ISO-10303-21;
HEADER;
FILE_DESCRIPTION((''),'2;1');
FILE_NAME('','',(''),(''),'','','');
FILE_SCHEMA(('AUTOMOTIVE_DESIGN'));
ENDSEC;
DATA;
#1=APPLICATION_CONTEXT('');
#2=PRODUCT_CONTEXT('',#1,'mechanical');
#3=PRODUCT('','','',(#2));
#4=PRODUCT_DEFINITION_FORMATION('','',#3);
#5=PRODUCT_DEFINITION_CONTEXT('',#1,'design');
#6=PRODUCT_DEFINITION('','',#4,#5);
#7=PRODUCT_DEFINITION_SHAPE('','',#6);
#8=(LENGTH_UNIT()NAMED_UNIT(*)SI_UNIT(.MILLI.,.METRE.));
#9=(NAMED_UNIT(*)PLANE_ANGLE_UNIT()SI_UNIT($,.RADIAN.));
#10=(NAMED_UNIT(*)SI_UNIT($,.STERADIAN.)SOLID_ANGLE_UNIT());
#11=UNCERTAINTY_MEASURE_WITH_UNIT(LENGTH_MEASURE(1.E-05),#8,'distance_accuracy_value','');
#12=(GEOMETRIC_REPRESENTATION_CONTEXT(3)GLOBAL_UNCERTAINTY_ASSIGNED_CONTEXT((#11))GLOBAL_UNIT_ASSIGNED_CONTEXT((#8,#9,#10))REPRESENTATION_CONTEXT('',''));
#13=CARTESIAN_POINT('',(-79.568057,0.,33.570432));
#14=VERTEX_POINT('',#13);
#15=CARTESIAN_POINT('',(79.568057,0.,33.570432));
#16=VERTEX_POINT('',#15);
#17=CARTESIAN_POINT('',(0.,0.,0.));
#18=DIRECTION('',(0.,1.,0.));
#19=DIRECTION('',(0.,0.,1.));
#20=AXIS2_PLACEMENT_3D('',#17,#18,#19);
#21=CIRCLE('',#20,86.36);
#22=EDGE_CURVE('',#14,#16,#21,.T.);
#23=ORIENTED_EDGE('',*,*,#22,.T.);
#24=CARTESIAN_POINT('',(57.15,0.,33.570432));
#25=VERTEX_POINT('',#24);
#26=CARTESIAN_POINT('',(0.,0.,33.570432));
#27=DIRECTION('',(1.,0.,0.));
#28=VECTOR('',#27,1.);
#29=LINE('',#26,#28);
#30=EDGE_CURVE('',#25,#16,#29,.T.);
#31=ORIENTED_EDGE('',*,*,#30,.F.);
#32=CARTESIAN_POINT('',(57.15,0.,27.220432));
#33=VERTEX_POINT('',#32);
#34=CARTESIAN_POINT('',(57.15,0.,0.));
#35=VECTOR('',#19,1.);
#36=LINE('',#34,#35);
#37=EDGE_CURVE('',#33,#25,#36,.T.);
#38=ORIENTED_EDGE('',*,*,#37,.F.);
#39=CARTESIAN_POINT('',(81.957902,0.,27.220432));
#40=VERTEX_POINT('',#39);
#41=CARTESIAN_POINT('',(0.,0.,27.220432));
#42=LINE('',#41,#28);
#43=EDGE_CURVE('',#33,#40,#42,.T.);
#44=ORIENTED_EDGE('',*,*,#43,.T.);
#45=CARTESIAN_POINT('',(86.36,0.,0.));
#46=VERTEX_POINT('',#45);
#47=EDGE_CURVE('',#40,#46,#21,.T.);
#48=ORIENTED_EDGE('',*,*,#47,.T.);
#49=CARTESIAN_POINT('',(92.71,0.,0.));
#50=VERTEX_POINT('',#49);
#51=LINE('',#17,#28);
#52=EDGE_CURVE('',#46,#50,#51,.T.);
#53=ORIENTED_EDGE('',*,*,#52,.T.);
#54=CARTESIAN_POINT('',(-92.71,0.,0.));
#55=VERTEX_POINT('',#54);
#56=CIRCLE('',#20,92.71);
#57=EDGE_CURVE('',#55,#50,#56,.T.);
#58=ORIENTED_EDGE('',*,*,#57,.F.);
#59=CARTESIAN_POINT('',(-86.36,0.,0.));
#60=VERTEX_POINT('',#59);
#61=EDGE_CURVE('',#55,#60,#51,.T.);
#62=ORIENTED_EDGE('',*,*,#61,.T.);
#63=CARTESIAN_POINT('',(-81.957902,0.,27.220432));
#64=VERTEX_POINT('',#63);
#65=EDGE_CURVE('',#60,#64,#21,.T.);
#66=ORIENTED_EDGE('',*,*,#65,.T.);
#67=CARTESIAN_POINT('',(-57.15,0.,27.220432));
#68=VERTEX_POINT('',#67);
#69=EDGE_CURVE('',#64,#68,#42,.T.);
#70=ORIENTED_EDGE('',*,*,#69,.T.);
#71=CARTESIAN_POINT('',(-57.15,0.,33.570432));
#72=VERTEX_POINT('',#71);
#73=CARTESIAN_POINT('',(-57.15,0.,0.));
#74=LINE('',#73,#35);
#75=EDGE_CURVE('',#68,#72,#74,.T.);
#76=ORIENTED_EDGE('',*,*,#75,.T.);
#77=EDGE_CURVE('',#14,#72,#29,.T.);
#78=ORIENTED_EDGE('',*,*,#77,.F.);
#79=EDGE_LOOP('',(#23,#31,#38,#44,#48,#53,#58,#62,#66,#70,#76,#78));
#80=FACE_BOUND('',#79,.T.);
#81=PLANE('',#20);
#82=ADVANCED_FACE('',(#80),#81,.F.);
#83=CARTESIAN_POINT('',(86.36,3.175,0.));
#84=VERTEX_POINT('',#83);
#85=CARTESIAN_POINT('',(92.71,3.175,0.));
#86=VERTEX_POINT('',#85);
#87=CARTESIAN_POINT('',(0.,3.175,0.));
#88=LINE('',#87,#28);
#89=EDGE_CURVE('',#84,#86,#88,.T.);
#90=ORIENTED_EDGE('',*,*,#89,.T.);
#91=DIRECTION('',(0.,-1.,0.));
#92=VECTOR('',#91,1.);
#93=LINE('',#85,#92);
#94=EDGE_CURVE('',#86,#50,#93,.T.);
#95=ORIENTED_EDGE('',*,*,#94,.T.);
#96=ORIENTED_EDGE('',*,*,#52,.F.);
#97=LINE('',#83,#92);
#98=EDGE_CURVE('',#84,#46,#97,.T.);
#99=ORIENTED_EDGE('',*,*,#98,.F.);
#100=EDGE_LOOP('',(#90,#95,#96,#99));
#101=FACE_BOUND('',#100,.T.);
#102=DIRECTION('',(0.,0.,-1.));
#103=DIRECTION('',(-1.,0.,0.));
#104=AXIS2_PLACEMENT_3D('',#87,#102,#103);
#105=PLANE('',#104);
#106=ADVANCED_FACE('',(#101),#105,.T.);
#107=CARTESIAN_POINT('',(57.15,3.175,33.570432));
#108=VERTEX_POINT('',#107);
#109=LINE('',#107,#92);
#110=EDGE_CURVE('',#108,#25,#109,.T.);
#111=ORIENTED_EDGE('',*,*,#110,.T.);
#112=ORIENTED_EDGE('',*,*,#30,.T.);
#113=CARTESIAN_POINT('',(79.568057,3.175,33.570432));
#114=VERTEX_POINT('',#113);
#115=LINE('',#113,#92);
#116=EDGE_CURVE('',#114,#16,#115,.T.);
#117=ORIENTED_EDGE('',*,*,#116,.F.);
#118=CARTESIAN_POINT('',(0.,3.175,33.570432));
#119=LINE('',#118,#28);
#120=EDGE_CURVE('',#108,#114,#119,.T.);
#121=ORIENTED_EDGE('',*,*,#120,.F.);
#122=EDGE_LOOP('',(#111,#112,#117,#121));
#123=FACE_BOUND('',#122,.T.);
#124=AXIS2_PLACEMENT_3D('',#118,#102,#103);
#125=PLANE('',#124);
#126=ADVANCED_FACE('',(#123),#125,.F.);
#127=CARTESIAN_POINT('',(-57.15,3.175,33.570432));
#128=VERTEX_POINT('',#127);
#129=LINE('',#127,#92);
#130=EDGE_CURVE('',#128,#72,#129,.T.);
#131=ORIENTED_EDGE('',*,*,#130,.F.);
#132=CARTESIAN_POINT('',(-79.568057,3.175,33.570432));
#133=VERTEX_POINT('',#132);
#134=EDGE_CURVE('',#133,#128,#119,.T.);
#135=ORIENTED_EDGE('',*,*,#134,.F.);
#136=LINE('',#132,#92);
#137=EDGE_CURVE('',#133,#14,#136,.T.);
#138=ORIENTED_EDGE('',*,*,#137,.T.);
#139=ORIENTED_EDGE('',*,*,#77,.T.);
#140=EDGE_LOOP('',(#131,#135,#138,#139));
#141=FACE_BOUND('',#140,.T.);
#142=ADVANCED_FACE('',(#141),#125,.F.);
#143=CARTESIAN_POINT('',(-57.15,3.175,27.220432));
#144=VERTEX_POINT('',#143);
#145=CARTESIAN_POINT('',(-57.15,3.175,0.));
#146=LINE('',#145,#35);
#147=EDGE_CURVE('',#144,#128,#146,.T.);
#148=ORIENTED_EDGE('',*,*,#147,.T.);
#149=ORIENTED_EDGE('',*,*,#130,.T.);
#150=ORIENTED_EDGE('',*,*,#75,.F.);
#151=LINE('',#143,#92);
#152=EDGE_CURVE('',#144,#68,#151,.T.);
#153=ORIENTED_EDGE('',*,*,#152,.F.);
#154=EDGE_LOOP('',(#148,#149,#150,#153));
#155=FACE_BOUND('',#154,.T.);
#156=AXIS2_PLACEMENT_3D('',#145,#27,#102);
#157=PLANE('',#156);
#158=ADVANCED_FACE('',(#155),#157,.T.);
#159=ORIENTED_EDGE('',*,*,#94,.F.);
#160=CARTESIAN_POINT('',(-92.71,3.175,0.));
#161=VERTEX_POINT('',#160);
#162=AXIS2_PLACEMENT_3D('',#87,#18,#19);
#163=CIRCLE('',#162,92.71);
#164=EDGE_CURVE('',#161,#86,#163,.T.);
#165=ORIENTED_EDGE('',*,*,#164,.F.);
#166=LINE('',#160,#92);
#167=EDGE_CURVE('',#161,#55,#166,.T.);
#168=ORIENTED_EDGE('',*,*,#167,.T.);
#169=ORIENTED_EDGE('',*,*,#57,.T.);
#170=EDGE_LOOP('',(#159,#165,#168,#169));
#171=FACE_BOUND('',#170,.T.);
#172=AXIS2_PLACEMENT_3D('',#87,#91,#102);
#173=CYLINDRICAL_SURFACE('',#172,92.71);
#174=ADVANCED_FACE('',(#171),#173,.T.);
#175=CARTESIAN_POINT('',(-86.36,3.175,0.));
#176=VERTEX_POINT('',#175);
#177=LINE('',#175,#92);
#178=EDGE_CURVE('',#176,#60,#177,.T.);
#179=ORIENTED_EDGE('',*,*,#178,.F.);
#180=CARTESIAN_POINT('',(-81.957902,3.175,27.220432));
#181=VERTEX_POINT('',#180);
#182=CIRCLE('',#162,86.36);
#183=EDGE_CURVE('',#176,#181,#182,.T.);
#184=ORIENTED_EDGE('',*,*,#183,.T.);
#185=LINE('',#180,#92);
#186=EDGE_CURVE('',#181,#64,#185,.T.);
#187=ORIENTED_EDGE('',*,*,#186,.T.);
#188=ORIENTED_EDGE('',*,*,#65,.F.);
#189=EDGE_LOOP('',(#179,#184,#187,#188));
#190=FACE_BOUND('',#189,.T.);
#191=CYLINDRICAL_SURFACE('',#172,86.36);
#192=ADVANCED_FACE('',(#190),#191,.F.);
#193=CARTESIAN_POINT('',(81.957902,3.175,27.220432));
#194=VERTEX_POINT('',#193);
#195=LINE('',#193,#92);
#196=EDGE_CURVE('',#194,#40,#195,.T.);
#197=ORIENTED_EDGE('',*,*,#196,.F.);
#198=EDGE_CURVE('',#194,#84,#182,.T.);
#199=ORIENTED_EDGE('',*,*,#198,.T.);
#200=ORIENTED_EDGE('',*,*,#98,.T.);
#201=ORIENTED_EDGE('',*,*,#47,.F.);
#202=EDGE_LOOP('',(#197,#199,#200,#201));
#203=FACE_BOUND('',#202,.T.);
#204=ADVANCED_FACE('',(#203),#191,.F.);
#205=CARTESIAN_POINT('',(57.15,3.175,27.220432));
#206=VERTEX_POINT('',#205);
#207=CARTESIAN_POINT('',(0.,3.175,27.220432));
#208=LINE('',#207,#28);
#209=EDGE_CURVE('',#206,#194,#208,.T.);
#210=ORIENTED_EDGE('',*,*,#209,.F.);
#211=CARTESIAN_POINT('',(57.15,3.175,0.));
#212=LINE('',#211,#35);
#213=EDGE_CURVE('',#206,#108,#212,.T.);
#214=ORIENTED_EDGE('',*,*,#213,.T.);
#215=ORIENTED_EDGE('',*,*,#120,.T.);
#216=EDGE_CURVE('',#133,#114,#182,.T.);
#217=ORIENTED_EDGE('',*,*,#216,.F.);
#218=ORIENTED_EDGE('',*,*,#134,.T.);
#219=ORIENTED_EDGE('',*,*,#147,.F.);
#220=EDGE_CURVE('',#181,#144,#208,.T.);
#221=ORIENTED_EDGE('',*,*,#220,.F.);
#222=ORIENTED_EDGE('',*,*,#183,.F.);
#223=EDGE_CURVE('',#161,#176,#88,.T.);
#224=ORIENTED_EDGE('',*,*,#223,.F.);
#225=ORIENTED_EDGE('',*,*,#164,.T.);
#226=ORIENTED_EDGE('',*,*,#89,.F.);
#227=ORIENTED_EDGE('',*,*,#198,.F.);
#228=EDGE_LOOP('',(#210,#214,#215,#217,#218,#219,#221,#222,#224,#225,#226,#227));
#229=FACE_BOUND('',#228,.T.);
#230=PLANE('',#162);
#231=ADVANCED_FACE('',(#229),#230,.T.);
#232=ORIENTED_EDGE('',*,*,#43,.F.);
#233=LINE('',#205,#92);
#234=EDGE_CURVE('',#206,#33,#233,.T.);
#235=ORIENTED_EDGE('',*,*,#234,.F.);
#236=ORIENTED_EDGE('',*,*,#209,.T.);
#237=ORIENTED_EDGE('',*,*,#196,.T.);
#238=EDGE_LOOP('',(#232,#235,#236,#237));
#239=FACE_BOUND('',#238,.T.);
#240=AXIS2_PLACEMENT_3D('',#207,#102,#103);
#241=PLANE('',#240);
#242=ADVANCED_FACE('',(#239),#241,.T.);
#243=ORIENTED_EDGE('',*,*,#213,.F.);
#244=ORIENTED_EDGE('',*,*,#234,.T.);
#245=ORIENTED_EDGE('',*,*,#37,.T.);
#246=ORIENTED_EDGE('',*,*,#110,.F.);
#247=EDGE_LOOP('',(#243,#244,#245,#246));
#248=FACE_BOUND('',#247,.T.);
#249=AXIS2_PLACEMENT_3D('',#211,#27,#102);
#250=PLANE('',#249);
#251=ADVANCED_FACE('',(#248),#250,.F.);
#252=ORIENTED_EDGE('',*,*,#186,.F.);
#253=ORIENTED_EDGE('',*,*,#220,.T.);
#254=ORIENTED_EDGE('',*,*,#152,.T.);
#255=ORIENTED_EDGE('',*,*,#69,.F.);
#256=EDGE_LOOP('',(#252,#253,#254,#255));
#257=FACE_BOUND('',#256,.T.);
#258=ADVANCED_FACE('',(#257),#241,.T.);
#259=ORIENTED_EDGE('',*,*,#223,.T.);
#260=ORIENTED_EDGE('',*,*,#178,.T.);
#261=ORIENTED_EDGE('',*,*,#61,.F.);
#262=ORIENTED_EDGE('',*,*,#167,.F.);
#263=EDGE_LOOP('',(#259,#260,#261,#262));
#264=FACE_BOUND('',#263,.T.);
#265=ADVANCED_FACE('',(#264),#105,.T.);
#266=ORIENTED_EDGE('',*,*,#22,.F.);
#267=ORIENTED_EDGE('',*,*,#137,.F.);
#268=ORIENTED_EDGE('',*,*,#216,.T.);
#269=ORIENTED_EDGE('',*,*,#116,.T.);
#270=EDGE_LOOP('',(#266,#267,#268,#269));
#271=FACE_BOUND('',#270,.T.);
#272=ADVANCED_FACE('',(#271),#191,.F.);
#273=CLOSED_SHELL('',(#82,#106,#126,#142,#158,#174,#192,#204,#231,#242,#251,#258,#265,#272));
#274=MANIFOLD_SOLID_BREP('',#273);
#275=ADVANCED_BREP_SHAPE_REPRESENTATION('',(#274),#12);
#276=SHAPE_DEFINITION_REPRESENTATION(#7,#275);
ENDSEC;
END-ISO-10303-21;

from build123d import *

# Parameters (mm, degrees)
BOSS_EXTRUDE1_DEPTH = 3.175


with BuildPart() as part:
    # Sketch1 → Boss-Extrude1 (new body)
    with BuildSketch(Plane(origin=(0, 0, 0), x_dir=(1, 0, 0), z_dir=(0, 1, 0))):
        with BuildLine():
            Line((-57.15, -27.220431682), (-81.957901993, -27.220431682))
            ThreePointArc((-81.957901993, -27.220431682), (-80.82536417, -30.418910347), (-79.568057138, -33.570431682))
            Line((-79.568057138, -33.570431682), (-57.15, -33.570431682))
            Line((-57.15, -33.570431682), (-57.15, -27.220431682))
        make_face()
        with BuildLine():
            Line((-86.36, 0), (-92.71, 0))
            ThreePointArc((-92.71, 0), (0, -92.71), (92.71, 0))
            Line((92.71, 0), (86.36, 0))
            ThreePointArc((86.36, 0), (85.252372448, -13.787044351), (81.957901993, -27.220431682))
            Line((81.957901993, -27.220431682), (81.957901993, -33.570431682))
            Line((81.957901993, -33.570431682), (79.568057138, -33.570431682))
            ThreePointArc((79.568057138, -33.570431682), (0, -86.36), (-79.568057138, -33.570431682))
            Line((-79.568057138, -33.570431682), (-81.957901993, -33.570431682))
            Line((-81.957901993, -33.570431682), (-81.957901993, -27.220431682))
            ThreePointArc((-81.957901993, -27.220431682), (-85.252372448, -13.787044351), (-86.36, 0))
        make_face()
        with BuildLine():
            ThreePointArc((-79.568057138, -33.570431682), (-80.82536417, -30.418910347), (-81.957901993, -27.220431682))
            Line((-81.957901993, -27.220431682), (-81.957901993, -33.570431682))
            Line((-81.957901993, -33.570431682), (-79.568057138, -33.570431682))
        make_face()
        with BuildLine():
            Line((81.957901993, -33.570431682), (81.957901993, -27.220431682))
            ThreePointArc((81.957901993, -27.220431682), (80.82536417, -30.418910347), (79.568057138, -33.570431682))
            Line((79.568057138, -33.570431682), (81.957901993, -33.570431682))
        make_face()
        with BuildLine():
            ThreePointArc((79.568057138, -33.570431682), (80.82536417, -30.418910347), (81.957901993, -27.220431682))
            Line((81.957901993, -27.220431682), (57.15, -27.220431682))
            Line((57.15, -27.220431682), (57.15, -33.570431682))
            Line((57.15, -33.570431682), (79.568057138, -33.570431682))
        make_face()
    extrude(amount=BOSS_EXTRUDE1_DEPTH)


solid = part.part
